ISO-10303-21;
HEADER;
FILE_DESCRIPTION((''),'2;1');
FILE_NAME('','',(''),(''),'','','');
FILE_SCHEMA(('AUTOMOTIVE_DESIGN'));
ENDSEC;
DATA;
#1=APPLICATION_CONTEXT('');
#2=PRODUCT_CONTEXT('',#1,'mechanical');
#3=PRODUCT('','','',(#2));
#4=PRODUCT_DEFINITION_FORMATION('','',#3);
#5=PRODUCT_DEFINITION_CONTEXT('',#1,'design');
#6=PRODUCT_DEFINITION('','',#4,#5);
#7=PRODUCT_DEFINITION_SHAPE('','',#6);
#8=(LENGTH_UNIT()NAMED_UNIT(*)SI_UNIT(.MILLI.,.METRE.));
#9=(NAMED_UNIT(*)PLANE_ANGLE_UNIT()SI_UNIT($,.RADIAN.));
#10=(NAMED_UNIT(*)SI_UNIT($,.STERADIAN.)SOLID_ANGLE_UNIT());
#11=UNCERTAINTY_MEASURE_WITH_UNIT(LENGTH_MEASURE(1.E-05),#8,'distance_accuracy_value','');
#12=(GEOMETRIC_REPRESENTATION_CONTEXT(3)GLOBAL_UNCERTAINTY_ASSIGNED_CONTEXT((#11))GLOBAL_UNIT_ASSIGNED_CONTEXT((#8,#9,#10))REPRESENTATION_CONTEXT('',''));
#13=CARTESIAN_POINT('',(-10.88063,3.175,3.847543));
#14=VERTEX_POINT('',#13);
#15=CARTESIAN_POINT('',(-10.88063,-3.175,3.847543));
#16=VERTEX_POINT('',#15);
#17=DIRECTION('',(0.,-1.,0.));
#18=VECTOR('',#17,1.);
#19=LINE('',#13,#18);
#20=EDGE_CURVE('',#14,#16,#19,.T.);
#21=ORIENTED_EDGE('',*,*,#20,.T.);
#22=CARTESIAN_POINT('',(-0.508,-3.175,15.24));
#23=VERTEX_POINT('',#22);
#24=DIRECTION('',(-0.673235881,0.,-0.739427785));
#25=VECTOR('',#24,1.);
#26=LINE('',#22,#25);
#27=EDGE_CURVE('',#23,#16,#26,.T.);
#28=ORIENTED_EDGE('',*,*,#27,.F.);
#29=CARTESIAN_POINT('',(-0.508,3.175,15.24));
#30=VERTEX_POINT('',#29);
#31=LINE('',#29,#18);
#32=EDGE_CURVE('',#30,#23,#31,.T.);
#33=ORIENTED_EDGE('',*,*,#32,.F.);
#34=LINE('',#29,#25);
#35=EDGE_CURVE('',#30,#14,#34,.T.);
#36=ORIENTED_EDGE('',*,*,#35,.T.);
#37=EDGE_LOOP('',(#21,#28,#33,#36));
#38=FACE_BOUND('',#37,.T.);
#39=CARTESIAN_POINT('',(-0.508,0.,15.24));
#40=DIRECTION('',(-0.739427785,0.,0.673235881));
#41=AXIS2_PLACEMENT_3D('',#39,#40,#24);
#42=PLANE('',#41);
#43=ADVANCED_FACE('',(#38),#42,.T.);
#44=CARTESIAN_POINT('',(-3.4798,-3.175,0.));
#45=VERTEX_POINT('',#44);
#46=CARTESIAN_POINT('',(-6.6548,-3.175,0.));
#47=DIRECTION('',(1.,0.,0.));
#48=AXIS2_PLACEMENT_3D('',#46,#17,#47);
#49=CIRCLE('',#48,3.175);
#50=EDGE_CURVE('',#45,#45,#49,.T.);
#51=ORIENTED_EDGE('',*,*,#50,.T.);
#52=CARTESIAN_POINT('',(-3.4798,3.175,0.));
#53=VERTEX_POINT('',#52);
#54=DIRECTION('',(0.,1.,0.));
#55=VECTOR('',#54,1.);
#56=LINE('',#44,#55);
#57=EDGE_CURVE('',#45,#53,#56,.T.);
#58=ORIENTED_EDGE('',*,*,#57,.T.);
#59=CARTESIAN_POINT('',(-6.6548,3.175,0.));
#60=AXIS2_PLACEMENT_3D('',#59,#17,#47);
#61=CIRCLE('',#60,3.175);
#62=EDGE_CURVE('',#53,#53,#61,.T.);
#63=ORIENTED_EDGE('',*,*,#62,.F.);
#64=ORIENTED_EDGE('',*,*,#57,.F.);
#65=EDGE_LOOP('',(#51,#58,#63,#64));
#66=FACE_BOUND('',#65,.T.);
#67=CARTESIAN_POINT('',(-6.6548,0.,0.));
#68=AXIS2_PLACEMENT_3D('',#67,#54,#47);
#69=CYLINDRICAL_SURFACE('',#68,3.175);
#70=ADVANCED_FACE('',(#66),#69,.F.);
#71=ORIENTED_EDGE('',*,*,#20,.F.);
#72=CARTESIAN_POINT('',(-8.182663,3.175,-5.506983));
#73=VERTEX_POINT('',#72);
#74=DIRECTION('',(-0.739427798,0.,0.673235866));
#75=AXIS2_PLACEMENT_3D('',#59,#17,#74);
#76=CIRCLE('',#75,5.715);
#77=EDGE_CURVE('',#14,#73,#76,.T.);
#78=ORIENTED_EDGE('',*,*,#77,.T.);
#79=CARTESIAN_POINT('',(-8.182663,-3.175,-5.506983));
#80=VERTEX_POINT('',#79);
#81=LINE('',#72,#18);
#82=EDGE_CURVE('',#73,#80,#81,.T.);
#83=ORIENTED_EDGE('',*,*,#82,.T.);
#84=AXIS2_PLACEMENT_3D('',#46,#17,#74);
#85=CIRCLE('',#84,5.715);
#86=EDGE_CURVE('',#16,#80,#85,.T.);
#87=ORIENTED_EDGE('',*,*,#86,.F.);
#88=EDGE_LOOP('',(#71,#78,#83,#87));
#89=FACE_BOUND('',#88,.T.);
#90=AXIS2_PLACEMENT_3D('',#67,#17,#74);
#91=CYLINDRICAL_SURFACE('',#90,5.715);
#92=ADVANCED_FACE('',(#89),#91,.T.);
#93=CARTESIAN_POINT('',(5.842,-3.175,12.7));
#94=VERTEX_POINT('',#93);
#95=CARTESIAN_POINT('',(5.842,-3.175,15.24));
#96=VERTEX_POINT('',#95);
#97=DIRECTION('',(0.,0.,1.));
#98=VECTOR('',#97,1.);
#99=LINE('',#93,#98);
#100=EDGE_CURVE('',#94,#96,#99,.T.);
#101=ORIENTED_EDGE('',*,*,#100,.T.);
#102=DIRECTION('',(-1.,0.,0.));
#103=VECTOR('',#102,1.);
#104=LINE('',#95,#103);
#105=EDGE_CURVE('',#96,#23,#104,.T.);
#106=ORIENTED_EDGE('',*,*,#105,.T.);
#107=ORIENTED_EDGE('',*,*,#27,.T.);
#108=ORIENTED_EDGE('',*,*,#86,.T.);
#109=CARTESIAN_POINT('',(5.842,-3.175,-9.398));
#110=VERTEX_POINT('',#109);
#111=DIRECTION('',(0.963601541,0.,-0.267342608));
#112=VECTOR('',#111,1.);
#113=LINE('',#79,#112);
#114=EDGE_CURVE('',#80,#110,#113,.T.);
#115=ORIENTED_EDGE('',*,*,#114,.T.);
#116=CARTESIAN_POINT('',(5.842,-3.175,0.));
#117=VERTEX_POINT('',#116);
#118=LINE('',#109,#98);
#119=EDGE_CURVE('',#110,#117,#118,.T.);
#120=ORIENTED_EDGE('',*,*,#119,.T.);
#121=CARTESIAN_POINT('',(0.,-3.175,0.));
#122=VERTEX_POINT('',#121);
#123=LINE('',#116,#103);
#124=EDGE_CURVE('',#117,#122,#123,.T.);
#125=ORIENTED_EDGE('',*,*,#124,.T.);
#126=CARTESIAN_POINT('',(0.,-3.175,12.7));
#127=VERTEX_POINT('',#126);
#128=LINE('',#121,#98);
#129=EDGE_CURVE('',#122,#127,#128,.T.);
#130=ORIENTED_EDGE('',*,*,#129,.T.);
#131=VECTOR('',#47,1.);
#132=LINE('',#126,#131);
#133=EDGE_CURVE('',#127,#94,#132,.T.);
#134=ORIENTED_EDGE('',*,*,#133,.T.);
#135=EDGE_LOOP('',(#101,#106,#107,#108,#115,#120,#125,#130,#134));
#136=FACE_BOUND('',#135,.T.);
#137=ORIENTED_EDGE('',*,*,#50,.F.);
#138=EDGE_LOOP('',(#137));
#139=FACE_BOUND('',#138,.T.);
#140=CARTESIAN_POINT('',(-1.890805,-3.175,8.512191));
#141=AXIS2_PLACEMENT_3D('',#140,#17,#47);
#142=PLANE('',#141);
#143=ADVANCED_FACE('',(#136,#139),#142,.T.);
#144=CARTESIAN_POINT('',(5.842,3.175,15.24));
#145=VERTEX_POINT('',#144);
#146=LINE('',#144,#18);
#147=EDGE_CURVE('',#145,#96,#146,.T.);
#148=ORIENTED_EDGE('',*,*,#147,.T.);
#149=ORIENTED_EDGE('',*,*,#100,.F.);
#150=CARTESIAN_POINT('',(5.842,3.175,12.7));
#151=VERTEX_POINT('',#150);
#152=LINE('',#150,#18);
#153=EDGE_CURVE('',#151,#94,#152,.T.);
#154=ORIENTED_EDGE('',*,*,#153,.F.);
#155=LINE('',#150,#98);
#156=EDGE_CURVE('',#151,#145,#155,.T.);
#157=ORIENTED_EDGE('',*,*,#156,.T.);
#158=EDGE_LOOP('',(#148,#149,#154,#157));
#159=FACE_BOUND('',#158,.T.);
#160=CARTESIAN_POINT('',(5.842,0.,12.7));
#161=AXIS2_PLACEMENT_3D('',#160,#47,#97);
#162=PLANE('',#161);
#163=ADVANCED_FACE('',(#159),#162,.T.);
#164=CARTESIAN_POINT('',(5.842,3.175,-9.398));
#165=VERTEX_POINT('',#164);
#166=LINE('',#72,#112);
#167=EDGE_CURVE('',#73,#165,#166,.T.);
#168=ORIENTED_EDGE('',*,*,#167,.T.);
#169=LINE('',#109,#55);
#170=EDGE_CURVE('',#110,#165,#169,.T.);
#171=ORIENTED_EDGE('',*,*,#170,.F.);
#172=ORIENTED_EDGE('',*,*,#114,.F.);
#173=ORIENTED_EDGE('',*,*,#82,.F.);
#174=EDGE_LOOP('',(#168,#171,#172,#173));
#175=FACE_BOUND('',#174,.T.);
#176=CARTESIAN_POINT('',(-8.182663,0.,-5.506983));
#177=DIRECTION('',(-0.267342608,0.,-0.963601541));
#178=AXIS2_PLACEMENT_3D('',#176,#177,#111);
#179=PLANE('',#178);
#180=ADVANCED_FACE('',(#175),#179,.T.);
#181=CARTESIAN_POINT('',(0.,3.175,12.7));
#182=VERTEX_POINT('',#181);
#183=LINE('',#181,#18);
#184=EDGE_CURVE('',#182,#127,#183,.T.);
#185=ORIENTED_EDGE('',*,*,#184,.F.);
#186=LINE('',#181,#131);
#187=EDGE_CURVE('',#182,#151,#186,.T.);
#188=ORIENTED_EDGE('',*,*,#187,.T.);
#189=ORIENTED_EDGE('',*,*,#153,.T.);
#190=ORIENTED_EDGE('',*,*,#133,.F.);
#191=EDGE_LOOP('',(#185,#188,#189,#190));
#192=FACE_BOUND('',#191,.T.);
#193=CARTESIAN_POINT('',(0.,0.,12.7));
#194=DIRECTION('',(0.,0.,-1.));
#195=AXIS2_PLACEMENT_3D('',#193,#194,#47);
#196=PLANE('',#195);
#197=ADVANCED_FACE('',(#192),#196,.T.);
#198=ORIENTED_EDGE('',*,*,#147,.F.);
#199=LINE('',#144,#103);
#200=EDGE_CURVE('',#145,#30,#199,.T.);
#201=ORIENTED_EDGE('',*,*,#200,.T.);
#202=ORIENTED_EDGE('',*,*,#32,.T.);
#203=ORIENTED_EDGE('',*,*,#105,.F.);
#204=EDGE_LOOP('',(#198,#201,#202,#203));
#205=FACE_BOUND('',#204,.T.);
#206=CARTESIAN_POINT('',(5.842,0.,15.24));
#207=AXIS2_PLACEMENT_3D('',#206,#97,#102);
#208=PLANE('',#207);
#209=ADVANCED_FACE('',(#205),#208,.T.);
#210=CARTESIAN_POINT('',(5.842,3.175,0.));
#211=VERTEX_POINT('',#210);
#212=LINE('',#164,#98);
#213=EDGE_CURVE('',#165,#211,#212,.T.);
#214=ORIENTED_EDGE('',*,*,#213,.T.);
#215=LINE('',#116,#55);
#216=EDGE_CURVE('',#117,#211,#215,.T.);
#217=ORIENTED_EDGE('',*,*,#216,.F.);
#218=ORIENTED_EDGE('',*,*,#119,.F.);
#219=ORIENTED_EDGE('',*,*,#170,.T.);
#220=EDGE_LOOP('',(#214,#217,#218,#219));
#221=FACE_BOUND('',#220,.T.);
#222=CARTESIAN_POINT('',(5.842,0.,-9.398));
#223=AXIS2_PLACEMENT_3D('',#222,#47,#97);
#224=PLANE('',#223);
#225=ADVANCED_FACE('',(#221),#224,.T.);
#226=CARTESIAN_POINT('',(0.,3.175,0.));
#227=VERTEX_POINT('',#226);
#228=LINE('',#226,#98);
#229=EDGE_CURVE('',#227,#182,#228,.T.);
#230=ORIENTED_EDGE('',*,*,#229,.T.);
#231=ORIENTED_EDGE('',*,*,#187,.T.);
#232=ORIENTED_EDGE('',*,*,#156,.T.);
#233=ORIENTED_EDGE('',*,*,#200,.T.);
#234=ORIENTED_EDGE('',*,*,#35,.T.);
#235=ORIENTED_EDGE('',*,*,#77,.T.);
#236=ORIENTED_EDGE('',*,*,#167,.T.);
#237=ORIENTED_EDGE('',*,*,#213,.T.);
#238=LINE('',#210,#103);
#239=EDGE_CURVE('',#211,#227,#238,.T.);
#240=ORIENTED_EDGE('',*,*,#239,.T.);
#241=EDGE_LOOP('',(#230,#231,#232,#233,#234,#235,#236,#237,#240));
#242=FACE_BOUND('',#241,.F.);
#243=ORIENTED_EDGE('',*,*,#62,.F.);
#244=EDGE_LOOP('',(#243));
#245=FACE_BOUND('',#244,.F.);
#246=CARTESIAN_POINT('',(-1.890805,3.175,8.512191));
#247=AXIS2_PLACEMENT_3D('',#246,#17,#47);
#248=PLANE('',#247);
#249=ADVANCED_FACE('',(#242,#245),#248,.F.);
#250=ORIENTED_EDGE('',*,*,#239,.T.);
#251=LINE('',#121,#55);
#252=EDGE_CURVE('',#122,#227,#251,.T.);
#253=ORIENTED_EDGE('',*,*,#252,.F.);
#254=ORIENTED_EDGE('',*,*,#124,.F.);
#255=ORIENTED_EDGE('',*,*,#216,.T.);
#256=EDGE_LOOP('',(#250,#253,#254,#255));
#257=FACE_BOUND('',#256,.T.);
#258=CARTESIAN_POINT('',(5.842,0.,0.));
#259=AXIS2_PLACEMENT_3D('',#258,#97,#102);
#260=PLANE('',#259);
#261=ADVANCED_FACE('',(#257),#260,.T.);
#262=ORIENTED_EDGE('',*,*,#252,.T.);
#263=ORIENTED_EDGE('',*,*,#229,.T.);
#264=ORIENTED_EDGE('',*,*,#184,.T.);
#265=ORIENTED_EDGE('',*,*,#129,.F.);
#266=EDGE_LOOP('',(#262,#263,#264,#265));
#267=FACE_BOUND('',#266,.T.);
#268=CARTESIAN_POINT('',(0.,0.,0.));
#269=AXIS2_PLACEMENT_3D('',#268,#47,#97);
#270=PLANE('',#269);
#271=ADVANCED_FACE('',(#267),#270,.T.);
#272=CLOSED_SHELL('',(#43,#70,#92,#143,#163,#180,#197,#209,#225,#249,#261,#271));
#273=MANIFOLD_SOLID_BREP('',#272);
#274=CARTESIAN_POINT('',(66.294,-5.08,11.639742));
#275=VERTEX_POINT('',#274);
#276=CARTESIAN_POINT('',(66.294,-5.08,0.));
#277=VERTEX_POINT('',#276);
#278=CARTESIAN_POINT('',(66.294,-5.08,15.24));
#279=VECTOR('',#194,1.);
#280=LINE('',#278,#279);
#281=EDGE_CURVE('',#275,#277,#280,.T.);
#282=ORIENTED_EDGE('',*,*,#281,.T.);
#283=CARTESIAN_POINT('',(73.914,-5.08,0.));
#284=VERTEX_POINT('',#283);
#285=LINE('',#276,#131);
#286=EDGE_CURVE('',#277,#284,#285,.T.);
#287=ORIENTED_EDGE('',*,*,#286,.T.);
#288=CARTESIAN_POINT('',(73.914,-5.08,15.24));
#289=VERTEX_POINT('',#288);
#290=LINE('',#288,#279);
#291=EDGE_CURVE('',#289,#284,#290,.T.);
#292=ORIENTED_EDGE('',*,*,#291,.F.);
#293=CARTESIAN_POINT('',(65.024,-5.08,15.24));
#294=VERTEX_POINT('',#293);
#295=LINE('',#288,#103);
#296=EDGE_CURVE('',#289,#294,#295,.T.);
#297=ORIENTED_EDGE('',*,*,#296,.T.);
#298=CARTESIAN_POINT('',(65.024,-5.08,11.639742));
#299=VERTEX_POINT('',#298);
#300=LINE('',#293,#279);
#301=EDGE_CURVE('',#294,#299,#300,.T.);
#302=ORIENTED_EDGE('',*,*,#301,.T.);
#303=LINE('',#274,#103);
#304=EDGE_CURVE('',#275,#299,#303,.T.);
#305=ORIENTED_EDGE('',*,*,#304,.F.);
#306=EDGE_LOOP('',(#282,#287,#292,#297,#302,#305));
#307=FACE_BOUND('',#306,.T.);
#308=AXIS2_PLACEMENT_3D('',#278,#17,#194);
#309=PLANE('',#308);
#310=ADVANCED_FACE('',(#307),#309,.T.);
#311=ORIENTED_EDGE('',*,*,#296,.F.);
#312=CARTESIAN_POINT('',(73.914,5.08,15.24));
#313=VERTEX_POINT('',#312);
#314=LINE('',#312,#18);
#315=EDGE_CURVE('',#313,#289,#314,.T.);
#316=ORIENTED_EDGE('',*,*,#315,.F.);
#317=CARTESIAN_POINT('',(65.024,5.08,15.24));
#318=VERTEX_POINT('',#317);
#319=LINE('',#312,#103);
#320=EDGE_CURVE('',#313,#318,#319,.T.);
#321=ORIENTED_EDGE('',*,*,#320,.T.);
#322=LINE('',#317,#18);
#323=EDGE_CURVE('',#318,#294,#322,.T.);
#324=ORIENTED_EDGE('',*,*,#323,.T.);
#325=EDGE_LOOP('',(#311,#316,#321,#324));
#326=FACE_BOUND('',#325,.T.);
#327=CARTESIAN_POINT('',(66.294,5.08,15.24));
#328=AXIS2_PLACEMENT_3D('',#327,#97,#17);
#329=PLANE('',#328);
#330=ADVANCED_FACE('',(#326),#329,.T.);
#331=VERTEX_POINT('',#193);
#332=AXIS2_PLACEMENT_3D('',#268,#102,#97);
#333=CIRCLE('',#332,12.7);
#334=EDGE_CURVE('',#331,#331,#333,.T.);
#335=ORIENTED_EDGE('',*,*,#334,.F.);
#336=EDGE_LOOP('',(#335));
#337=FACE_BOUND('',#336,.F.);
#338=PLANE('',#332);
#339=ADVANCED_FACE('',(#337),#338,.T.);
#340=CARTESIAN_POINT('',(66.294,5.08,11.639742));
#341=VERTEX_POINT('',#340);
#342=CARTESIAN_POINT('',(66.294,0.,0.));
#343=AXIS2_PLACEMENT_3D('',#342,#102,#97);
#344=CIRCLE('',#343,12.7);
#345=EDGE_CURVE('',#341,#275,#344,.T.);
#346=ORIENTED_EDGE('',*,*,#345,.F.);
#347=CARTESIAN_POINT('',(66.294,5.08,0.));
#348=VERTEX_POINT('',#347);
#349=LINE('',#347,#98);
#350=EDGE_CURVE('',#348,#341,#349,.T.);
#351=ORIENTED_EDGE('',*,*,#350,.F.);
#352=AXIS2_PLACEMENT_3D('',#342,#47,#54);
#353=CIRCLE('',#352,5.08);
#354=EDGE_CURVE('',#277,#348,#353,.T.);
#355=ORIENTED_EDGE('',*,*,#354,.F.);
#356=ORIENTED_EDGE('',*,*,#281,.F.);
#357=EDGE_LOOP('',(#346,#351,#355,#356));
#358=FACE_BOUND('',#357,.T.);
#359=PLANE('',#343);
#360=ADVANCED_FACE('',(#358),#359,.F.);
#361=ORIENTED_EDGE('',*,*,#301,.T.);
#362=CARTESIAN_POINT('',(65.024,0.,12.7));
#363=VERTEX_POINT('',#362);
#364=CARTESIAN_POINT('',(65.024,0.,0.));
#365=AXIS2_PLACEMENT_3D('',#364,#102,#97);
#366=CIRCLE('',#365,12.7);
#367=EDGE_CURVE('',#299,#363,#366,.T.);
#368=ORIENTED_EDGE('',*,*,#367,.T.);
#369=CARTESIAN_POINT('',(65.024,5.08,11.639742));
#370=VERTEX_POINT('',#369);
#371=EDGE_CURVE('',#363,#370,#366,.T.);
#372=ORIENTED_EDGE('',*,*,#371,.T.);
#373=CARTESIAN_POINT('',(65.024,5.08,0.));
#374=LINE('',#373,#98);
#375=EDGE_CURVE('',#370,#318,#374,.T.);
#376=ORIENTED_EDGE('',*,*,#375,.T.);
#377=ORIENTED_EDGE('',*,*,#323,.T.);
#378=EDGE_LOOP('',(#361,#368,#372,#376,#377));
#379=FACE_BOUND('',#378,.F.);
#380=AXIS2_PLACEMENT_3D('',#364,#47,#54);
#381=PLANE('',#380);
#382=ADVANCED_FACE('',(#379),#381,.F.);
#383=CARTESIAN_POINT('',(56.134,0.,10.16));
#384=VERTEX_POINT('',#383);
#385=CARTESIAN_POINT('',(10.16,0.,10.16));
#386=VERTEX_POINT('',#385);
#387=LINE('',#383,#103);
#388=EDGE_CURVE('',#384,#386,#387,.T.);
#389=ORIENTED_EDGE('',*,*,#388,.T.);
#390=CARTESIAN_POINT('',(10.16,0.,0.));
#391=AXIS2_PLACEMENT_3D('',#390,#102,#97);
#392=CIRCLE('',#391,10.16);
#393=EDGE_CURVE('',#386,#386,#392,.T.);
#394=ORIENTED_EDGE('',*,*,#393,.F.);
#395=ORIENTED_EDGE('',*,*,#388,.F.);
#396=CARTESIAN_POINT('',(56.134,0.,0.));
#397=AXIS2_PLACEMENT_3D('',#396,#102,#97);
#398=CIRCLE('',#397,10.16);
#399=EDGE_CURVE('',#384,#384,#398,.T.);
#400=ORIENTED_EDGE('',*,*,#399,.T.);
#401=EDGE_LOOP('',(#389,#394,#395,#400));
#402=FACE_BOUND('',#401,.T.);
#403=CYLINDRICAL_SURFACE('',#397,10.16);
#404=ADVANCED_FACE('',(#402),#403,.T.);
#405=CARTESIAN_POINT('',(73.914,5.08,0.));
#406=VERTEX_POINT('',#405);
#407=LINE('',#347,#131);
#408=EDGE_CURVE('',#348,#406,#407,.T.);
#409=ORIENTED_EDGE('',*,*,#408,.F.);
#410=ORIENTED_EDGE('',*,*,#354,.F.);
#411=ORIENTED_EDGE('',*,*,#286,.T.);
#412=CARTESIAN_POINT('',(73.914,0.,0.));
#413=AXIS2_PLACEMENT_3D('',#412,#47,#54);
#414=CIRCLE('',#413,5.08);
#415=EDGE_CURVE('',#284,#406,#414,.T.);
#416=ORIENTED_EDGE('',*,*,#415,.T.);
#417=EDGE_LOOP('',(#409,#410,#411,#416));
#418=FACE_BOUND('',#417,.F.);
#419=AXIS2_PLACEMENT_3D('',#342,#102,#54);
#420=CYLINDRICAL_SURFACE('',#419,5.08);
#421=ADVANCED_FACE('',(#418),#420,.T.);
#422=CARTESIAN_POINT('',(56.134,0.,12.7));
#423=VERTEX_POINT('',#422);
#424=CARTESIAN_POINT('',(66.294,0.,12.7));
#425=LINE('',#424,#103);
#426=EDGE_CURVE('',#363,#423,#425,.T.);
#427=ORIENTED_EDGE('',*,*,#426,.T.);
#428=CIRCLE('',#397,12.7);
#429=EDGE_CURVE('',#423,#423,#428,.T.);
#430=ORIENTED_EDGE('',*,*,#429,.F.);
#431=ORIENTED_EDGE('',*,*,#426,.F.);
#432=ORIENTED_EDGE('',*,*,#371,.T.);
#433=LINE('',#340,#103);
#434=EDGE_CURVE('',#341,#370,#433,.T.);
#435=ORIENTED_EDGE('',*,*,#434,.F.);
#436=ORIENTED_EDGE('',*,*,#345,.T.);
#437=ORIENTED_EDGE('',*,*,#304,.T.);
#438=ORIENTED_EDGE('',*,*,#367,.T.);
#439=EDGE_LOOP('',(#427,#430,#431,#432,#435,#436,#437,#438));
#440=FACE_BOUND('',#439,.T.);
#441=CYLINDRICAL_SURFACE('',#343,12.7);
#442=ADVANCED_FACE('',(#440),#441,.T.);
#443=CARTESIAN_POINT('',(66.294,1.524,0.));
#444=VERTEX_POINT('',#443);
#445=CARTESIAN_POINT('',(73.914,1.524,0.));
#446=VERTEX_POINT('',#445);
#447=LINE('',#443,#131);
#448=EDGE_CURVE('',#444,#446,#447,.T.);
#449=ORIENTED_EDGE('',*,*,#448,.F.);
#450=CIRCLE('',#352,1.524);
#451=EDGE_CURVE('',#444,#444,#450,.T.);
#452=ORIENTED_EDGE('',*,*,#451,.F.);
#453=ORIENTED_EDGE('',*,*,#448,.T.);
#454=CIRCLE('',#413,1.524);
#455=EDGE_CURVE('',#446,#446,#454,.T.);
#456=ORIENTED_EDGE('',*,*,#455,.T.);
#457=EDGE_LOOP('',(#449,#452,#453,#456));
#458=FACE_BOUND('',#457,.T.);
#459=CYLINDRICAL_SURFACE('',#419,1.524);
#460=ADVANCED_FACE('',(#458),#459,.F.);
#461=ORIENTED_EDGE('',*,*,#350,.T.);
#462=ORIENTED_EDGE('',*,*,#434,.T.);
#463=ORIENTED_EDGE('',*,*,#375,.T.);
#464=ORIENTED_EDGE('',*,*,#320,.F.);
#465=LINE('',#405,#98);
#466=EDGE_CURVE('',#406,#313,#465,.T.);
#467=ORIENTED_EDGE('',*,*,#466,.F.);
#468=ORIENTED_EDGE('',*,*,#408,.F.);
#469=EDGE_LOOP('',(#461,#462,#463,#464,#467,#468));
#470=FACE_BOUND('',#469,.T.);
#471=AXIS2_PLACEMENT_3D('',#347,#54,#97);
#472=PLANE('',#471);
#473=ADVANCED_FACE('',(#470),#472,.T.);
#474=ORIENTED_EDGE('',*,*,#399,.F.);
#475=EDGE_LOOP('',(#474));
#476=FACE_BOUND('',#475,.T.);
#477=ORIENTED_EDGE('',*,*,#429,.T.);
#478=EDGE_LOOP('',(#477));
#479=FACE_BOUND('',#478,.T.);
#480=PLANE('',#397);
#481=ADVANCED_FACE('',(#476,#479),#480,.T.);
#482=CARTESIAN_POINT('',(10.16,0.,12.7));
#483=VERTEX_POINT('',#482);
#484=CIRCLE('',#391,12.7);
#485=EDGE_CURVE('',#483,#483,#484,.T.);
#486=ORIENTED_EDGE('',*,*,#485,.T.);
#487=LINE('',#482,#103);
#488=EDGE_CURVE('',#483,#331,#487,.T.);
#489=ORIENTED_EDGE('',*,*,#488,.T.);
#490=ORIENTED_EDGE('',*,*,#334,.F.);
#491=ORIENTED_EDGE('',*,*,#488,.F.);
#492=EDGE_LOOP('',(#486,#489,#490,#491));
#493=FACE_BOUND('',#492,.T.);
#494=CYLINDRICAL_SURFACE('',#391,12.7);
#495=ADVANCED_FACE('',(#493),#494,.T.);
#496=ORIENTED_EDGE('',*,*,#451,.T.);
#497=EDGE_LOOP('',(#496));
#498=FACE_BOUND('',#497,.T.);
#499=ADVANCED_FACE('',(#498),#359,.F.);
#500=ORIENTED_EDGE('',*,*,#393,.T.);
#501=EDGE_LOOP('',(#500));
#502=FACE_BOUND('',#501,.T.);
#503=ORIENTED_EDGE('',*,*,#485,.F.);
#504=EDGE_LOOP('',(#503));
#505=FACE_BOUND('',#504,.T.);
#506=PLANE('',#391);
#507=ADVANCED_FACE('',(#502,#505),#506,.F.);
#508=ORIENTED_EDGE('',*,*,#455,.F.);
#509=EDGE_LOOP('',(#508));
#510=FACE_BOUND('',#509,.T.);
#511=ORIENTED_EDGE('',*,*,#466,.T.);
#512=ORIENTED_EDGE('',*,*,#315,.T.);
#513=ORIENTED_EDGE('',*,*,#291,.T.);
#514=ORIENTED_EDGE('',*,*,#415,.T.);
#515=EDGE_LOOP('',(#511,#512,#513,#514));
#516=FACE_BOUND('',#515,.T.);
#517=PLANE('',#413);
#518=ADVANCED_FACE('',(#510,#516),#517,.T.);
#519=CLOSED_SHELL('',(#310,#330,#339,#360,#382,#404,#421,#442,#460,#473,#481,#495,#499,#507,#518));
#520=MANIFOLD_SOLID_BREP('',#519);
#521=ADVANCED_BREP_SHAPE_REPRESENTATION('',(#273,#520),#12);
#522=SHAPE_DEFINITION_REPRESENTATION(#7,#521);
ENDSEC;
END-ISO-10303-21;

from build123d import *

# Parameters (mm, degrees)
F0_W     = 5.842
F0_H     = 12.7
F0_R     = 3.175
F2_DEPTH = 3.175
F3_R     = 1.524
F4_DEPTH = 7.62
F5_DEPTH = 1.27


with BuildPart() as f1:
    # F0 (on Front) → F1 (revolve)
    with BuildSketch(Plane.XZ):
        with Locations((2.921, 6.35)):
            Rectangle(F0_W, F0_H)
        Polygon((5.842, 12.7), (5.842, 0), (66.294, 0), (66.294, 12.7), (56.134, 12.7), (56.134, 10.16), (10.16, 10.16), (10.16, 12.7), align=None)
    revolve(axis=Axis((33.147, 0, 0), (-1, 0, 0)))

    # F3 (on face) → F4 (join)
    with BuildSketch(Plane.YZ.offset(66.294)):
        with BuildLine():
            ThreePointArc((-5.08, 0), (0, -5.08), (5.08, 0))
            ThreePointArc((5.08, 0), (0, 5.08), (-5.08, 0))
        make_face()
        Circle(F3_R, mode=Mode.SUBTRACT)
        with BuildLine():
            ThreePointArc((-5.08, 0), (0, 5.08), (5.08, 0))
            Line((5.08, 0), (5.08, 15.24))
            Line((5.08, 15.24), (-5.08, 15.24))
            Line((-5.08, 15.24), (-5.08, 0))
        make_face()
    extrude(amount=F4_DEPTH)

    # F3 (on face) → F5 (join)
    with BuildSketch(Plane.YZ.offset(66.294)):
        with BuildLine():
            ThreePointArc((-5.08, 0), (0, -5.08), (5.08, 0))
            ThreePointArc((5.08, 0), (0, 5.08), (-5.08, 0))
        make_face()
        Circle(F3_R, mode=Mode.SUBTRACT)
        with BuildLine():
            ThreePointArc((-5.08, 0), (0, 5.08), (5.08, 0))
            Line((5.08, 0), (5.08, 15.24))
            Line((5.08, 15.24), (-5.08, 15.24))
            Line((-5.08, 15.24), (-5.08, 0))
        make_face()
    extrude(amount=-F5_DEPTH)


with BuildPart() as f2:
    # F0 (on Front) → F2 (new body, symmetric)
    with BuildSketch(Plane.XZ):
        with BuildLine():
            Line((-0.9398, 0), (0, 0))
            Line((0, 0), (0, 12.7))
            Line((0, 12.7), (5.842, 12.7))
            Line((5.842, 12.7), (5.842, 15.24))
            Line((5.842, 15.24), (-0.508, 15.24))
            Line((-0.508, 15.24), (-10.88063, 3.847543))
            ThreePointArc((-10.88063, 3.847543), (-4.591961, 5.329721), (-0.9398, 0))
        make_face()
        with BuildLine():
            ThreePointArc((-8.182663, -5.506983), (-3.195791, -4.549339), (-0.9398, 0))
            ThreePointArc((-0.9398, 0), (-4.591961, 5.329721), (-10.88063, 3.847543))
            ThreePointArc((-10.88063, 3.847543), (-12.145978, -1.583727), (-8.182663, -5.506983))
        make_face()
        with Locations((-6.6548, 0)):
            Circle(F0_R, mode=Mode.SUBTRACT)
        with BuildLine():
            Line((5.842, 0), (0, 0))
            Line((0, 0), (-0.9398, 0))
            ThreePointArc((-0.9398, 0), (-3.195791, -4.549339), (-8.182663, -5.506983))
            Line((-8.182663, -5.506983), (5.842, -9.398))
            Line((5.842, -9.398), (5.842, 0))
        make_face()
    extrude(amount=F2_DEPTH, both=True)


solid = Compound([f1.part, f2.part])
